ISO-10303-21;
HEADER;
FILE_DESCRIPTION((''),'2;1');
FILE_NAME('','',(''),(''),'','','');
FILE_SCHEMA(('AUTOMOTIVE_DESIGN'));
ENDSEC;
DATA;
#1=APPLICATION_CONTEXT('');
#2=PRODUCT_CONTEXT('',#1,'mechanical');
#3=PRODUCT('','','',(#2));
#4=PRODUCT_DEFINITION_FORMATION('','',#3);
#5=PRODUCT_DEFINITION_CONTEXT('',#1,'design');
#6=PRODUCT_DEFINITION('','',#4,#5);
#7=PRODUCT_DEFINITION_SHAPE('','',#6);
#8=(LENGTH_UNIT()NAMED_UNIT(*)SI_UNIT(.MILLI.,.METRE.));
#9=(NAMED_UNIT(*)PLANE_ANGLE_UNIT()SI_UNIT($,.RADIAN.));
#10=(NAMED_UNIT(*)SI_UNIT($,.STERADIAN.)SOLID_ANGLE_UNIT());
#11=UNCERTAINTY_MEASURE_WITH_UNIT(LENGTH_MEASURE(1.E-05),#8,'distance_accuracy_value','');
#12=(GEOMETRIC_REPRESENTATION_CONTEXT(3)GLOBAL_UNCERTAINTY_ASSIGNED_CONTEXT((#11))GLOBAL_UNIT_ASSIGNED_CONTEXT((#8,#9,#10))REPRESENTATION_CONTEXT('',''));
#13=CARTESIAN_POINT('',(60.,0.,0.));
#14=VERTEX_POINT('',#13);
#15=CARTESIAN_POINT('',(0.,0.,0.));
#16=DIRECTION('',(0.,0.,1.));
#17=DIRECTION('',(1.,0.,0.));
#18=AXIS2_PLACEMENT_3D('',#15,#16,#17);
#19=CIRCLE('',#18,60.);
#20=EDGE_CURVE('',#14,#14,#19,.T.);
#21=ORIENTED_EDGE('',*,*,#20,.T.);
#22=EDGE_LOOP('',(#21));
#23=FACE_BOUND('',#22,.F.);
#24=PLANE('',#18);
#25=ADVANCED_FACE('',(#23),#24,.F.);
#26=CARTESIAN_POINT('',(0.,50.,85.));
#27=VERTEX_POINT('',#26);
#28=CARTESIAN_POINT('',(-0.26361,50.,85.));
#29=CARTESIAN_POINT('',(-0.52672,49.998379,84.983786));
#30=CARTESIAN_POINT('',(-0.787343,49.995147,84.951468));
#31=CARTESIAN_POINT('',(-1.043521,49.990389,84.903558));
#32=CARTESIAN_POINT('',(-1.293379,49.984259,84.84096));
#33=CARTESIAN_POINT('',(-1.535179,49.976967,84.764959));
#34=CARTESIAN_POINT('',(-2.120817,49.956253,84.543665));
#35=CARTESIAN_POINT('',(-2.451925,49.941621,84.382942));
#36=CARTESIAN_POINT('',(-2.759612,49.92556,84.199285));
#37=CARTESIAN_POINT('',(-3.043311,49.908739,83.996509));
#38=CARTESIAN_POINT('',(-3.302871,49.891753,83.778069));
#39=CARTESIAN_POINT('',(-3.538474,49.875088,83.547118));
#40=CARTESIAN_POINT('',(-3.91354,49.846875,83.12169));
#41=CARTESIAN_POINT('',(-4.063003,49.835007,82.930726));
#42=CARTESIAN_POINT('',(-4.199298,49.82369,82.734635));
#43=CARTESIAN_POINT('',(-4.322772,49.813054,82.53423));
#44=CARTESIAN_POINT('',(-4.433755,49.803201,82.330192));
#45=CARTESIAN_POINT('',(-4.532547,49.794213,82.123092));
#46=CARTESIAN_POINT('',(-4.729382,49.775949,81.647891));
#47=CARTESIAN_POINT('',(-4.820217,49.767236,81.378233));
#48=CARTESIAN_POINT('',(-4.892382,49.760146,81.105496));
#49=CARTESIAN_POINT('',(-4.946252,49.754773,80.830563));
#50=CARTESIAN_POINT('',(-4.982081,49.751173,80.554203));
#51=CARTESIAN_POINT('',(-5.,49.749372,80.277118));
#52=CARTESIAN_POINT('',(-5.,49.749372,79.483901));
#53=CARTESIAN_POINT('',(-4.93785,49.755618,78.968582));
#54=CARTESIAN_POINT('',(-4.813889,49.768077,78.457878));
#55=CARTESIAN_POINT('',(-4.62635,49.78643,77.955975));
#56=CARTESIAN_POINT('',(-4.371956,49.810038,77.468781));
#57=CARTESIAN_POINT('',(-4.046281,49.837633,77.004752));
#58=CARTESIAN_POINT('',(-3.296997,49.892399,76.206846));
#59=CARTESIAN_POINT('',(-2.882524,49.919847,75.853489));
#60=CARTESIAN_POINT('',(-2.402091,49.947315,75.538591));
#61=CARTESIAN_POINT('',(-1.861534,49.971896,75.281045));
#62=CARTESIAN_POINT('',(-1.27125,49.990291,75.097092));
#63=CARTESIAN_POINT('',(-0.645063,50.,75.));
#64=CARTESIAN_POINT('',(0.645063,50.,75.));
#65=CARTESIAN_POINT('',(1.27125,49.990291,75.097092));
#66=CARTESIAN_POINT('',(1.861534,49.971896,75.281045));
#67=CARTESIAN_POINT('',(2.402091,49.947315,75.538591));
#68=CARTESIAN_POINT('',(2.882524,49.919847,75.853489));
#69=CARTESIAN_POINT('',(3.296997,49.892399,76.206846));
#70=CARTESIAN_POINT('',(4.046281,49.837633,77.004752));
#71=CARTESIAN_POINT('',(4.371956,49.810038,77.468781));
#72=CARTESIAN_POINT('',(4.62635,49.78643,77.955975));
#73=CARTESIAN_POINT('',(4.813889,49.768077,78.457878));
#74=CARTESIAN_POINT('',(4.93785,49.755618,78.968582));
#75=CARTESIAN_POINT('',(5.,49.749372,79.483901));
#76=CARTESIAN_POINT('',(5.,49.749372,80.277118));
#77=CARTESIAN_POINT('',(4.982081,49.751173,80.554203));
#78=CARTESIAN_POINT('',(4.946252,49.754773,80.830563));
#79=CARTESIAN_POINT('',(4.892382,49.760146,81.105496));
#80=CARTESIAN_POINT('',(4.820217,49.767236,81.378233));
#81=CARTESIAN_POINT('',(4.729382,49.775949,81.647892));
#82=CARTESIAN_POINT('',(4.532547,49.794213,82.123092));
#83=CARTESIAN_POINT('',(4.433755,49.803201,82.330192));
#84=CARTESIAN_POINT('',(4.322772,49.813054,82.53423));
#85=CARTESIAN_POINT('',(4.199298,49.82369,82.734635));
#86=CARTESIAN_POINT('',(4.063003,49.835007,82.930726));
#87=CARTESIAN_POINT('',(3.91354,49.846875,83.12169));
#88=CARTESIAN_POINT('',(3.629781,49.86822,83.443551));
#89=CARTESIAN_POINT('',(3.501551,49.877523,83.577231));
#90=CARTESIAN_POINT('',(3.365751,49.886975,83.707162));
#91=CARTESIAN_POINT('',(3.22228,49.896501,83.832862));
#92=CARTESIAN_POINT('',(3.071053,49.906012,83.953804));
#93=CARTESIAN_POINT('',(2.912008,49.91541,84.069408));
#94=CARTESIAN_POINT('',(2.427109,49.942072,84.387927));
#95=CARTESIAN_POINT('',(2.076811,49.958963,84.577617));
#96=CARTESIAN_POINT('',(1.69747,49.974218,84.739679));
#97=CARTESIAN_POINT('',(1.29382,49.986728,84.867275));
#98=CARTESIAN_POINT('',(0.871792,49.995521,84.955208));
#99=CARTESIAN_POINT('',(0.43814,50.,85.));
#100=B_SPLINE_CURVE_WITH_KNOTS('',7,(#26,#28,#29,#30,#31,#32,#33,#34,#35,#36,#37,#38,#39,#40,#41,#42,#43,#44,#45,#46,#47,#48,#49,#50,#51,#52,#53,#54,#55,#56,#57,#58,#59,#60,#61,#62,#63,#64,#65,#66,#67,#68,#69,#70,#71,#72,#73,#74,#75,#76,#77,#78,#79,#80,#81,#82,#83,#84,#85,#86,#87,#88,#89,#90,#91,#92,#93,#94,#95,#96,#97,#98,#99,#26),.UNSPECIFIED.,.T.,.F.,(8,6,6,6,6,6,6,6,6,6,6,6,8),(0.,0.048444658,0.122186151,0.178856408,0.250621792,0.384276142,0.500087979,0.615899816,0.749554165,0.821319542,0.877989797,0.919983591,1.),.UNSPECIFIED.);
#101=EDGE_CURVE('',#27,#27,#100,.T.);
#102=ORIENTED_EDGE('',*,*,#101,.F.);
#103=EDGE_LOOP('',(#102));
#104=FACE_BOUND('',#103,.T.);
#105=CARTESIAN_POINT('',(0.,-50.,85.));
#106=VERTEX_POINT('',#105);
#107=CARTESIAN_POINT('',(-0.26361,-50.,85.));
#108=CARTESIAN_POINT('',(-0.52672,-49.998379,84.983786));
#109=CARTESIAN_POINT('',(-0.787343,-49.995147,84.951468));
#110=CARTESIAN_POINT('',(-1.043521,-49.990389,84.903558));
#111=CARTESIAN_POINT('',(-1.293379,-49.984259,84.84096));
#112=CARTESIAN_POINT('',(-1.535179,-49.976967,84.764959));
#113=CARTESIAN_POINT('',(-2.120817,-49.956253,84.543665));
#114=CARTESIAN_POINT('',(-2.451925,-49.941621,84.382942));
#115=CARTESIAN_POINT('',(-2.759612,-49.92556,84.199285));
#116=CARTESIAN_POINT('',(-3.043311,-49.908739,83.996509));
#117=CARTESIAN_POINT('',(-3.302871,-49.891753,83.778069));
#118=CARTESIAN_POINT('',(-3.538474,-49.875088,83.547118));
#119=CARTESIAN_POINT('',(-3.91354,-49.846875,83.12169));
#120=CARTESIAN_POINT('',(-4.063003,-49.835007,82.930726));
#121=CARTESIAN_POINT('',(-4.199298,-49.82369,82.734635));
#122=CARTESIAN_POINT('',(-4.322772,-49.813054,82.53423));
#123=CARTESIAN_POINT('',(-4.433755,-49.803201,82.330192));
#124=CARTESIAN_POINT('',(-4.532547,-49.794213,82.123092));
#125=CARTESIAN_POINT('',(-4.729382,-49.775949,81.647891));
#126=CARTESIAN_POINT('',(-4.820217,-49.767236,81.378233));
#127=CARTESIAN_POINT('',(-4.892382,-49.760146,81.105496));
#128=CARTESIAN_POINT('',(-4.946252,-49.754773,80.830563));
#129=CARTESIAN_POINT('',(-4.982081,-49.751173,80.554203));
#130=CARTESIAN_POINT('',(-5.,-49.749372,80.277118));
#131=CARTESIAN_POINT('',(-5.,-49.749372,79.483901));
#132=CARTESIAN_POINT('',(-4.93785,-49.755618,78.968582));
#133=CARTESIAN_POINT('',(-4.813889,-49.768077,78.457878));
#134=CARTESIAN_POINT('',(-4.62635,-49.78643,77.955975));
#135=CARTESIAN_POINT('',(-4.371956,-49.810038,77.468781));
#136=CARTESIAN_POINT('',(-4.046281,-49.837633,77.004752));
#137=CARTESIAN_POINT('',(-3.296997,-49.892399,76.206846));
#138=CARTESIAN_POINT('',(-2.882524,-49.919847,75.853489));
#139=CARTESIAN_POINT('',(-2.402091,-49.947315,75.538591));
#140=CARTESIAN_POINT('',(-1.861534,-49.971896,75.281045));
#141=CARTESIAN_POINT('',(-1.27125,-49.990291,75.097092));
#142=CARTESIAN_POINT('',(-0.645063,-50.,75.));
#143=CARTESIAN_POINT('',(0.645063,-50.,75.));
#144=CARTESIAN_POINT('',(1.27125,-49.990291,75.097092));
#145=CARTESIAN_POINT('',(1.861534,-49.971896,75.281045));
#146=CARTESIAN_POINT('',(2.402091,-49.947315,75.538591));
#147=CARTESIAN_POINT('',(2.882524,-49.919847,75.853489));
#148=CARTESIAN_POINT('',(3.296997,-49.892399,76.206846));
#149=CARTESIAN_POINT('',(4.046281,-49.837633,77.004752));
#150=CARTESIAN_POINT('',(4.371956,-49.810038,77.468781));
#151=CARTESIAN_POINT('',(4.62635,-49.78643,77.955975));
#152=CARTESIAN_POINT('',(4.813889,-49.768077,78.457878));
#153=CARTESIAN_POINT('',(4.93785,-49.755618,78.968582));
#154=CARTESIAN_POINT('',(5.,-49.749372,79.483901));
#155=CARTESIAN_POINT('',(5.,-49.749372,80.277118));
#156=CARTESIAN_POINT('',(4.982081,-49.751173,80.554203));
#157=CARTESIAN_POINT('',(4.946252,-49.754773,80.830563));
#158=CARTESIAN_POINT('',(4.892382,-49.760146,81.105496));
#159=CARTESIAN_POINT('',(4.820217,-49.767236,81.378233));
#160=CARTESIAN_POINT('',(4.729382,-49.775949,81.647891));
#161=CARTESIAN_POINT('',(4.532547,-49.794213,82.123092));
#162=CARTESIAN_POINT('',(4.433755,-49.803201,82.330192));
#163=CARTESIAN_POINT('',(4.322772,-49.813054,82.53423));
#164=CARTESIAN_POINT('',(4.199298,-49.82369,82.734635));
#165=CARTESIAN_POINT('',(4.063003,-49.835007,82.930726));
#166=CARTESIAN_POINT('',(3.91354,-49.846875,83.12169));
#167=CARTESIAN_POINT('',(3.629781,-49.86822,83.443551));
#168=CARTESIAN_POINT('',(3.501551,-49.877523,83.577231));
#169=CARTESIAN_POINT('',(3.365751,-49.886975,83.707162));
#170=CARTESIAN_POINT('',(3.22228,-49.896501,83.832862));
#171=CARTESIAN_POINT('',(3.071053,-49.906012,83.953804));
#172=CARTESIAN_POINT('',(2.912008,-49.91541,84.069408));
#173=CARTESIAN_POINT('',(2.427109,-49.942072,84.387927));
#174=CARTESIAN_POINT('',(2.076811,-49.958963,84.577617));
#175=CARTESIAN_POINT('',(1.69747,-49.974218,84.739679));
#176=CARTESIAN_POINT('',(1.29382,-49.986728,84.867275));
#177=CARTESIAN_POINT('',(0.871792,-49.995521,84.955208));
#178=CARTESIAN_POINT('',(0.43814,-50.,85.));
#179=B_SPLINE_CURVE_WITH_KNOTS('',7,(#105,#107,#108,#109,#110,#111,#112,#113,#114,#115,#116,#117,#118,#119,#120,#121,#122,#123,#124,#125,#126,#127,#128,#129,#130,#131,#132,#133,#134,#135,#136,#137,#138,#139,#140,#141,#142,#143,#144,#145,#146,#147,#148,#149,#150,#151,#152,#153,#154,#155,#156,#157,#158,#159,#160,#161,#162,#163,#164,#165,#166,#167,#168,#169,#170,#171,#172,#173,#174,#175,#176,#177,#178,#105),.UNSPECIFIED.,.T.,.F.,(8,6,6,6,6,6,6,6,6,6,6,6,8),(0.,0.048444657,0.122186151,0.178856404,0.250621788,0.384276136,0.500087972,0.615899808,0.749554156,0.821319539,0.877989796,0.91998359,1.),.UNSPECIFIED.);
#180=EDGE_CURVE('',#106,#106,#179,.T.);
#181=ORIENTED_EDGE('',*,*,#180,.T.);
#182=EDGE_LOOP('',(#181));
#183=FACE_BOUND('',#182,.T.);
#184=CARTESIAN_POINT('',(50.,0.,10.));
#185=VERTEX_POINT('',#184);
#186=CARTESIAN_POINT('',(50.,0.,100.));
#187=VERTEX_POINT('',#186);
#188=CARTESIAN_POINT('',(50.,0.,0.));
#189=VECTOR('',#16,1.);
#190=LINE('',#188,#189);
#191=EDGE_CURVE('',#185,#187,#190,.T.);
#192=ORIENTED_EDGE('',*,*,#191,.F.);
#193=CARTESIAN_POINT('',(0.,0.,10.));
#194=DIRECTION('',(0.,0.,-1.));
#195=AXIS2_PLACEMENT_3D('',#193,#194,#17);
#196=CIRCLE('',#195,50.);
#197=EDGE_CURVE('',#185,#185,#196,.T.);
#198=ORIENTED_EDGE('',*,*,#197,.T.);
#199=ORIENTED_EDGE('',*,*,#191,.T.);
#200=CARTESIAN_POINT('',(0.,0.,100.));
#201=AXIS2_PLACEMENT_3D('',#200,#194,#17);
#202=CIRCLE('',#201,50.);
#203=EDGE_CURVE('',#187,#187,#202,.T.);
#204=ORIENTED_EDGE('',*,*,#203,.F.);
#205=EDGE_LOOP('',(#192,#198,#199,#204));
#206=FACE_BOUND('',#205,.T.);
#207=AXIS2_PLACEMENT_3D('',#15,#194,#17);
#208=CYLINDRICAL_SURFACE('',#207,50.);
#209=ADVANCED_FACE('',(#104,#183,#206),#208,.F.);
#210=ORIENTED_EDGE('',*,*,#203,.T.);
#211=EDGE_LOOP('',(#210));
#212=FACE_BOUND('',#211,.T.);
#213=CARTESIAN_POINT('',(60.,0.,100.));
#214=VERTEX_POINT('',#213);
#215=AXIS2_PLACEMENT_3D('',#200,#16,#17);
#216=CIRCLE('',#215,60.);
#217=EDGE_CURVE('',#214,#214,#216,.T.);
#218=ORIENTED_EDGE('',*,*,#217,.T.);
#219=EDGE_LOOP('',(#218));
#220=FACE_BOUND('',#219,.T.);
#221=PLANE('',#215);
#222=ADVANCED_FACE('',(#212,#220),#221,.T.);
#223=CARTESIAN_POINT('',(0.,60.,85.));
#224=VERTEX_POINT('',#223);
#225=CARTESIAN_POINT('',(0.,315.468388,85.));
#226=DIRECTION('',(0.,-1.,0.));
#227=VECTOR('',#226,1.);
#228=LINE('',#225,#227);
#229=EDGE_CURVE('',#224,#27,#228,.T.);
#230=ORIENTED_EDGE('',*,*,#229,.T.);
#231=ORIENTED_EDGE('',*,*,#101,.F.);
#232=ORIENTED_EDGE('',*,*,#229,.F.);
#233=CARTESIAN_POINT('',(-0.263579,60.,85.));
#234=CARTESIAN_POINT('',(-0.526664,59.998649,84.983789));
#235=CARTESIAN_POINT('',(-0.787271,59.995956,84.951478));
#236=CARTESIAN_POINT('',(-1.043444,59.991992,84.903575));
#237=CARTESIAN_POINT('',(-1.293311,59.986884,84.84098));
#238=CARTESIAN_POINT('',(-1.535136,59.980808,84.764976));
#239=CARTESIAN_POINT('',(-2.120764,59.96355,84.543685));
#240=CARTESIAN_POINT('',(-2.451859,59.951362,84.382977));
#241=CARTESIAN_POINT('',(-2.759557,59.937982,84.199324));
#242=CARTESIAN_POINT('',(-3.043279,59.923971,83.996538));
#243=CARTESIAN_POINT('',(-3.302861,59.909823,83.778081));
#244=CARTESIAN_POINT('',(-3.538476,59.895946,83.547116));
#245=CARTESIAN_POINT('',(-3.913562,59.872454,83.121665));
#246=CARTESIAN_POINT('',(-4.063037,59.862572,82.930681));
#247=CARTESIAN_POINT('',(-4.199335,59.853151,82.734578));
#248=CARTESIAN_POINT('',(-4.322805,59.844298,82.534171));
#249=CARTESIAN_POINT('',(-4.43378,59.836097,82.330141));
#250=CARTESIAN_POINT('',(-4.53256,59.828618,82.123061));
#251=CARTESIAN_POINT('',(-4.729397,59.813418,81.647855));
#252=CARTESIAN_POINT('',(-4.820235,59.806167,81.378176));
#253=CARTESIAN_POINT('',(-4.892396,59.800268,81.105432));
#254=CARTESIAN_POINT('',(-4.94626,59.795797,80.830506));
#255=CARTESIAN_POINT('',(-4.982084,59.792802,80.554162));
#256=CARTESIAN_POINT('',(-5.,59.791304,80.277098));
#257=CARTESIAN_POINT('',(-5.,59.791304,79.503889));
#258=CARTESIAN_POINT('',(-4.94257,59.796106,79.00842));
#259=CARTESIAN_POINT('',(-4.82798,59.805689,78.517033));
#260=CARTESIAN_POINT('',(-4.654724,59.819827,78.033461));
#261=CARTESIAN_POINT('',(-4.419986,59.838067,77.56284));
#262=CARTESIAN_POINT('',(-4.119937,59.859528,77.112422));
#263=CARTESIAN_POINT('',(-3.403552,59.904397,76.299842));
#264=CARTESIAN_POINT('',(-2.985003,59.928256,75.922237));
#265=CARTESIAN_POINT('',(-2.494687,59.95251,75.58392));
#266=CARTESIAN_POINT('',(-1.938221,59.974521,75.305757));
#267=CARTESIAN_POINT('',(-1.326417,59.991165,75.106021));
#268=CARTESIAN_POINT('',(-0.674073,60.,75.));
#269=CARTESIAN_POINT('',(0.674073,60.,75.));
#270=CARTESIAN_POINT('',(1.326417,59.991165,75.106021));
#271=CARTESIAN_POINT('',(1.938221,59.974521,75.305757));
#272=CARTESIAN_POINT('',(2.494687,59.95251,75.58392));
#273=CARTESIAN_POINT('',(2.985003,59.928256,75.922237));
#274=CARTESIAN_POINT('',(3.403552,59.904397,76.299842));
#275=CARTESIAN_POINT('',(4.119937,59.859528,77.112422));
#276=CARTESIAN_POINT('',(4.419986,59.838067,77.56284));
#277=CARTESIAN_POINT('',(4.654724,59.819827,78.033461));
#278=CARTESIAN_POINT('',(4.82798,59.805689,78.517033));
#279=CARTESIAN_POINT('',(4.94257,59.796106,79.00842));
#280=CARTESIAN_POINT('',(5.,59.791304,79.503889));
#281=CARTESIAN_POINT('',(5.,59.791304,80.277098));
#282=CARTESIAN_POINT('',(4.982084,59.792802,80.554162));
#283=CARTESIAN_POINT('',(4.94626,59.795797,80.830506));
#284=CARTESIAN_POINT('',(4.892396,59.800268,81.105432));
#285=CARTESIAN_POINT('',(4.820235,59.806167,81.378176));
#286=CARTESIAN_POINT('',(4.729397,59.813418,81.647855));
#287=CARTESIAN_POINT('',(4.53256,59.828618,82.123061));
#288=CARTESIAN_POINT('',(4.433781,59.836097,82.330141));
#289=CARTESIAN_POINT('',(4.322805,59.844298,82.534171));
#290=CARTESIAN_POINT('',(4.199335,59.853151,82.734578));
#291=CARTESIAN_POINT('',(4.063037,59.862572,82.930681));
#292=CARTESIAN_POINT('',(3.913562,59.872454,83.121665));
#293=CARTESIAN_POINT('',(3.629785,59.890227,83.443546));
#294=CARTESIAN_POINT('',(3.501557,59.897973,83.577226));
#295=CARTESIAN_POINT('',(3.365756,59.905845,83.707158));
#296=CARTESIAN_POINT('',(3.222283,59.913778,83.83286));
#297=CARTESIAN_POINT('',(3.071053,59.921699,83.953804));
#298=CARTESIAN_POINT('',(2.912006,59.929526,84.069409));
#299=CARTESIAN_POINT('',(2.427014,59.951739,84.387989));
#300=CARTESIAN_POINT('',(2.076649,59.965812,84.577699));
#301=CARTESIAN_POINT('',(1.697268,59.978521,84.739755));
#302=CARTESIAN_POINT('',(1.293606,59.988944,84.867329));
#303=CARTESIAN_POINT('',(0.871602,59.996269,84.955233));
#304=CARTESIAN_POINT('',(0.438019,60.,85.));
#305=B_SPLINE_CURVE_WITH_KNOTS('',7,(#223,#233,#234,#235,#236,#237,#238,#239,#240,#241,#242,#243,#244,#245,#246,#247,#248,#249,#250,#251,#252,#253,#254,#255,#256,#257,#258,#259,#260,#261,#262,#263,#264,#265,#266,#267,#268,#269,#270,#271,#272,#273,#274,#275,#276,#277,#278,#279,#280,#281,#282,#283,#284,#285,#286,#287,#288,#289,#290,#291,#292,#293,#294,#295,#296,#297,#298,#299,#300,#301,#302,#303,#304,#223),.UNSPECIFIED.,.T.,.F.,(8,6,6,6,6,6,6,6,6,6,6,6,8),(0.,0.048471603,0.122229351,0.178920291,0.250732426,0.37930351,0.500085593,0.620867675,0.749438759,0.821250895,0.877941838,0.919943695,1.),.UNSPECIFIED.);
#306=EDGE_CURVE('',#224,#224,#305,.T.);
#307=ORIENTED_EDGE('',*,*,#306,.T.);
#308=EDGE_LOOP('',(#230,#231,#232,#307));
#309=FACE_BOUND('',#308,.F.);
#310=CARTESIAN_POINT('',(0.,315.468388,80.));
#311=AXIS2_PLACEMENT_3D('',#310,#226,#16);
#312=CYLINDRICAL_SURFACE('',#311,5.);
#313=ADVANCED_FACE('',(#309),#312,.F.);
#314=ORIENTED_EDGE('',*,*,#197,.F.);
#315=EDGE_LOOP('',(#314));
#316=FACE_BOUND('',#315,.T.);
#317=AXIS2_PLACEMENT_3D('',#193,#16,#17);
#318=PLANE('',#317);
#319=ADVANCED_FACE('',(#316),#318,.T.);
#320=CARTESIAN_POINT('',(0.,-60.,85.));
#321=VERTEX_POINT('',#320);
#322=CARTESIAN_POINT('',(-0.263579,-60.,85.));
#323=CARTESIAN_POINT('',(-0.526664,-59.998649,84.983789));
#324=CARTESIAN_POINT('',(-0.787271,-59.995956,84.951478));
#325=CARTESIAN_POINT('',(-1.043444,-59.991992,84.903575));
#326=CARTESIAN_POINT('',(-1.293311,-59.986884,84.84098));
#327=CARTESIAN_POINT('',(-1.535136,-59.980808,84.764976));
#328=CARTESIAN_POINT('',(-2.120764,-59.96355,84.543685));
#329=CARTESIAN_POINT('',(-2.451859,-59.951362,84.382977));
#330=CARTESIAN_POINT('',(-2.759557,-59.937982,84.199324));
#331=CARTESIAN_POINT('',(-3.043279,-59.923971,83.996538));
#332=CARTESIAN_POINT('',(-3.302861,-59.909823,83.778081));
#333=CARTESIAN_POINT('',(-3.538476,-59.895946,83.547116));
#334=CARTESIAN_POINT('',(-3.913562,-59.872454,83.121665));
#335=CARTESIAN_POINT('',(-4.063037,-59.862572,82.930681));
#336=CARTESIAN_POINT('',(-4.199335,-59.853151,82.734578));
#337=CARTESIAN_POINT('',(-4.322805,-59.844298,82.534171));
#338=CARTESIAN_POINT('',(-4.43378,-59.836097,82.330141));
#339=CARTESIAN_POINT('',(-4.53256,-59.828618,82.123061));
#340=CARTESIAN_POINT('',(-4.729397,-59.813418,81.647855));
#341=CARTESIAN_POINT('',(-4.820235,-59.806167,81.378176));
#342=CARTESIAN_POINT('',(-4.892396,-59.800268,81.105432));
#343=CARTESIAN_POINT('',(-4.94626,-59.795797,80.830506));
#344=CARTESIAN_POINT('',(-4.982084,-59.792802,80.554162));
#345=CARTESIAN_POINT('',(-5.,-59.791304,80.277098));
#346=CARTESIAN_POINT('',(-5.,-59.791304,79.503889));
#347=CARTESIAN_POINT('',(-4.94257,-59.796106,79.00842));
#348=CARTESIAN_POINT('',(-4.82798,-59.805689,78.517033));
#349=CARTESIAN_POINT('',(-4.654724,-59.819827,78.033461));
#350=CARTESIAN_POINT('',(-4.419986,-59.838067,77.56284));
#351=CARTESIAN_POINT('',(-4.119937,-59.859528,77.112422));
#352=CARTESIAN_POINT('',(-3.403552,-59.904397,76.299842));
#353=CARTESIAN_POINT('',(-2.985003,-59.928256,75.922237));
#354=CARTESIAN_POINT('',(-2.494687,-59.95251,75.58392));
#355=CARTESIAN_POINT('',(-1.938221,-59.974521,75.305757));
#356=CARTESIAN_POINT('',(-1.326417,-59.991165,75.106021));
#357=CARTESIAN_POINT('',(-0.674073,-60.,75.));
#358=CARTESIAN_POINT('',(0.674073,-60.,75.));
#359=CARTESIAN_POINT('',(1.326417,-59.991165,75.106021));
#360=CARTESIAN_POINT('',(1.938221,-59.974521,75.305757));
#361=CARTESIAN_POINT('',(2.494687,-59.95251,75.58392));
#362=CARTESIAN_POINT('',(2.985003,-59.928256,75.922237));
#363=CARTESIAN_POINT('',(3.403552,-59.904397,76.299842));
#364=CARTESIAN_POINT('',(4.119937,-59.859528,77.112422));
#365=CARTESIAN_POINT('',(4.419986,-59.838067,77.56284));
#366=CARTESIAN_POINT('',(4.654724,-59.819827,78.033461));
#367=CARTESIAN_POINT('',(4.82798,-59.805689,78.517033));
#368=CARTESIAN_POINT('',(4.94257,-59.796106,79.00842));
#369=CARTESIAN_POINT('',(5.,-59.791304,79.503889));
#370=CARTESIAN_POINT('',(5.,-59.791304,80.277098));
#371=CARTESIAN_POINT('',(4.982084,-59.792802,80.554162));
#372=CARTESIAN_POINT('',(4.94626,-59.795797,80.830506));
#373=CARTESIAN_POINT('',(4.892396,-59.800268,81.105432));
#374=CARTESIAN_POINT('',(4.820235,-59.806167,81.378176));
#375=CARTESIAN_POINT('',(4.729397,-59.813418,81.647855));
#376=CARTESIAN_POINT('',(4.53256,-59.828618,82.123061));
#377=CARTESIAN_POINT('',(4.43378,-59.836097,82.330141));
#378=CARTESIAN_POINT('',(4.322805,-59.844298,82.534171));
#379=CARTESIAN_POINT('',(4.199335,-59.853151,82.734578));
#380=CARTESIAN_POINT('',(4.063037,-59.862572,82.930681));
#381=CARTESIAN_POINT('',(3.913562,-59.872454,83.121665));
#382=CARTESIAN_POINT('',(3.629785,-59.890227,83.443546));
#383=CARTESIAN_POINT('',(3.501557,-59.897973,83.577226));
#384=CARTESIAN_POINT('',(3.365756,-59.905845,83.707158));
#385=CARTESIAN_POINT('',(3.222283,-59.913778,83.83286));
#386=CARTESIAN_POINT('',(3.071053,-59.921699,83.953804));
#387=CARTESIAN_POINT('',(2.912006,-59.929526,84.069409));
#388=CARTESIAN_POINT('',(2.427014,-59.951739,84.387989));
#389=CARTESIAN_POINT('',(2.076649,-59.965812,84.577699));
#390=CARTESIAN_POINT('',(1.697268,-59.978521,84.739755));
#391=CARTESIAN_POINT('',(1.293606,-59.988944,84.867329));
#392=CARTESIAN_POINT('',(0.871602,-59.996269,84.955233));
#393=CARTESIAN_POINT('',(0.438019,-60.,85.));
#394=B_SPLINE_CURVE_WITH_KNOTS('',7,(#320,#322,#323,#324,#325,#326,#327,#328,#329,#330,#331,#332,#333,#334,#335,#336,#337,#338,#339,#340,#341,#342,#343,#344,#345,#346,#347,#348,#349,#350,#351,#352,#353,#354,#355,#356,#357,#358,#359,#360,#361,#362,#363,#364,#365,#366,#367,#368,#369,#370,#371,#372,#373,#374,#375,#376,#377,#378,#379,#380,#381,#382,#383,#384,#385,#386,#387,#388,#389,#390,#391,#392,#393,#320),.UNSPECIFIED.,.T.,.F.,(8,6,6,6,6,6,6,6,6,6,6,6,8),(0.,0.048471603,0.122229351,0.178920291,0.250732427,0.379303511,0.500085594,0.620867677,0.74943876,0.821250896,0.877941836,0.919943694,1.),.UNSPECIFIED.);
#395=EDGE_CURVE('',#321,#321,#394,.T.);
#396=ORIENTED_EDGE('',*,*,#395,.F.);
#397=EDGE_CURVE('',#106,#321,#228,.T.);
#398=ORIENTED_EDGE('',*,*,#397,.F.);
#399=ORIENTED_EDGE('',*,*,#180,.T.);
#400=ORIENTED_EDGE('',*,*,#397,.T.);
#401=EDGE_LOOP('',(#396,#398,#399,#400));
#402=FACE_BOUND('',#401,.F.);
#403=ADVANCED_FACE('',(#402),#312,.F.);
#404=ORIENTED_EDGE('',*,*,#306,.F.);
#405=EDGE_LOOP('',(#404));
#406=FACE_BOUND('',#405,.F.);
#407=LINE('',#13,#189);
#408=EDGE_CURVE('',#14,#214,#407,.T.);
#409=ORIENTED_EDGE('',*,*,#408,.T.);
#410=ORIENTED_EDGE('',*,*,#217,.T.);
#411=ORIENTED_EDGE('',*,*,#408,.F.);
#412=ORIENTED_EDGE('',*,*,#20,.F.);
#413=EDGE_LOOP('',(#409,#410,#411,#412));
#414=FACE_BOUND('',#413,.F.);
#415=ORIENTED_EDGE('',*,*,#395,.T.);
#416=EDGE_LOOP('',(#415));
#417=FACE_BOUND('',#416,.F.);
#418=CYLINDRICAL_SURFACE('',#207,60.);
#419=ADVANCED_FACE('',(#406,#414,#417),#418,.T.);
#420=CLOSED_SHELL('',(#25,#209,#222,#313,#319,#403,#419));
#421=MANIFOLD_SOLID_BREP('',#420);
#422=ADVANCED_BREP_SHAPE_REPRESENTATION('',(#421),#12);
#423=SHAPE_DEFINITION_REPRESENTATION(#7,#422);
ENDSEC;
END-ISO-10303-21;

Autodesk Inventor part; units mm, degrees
ref_plane "YZ Plane" through (0, 0, 0) normal (1, 0, 0) x (0, 1, 0)
ref_plane "XZ Plane" through (0, 0, 0) normal (0, 1, 0) x (-1, 0, 0)
ref_plane "XY Plane" through (0, 0, 0) normal (0, 0, 1) x (1, 0, 0)
sketch "草图1" plane through (0, 0, 0) normal (0, 0, 1) x (1, 0, 0)
  circle A0 centre (0, 0) radius 60
  dimension "d0" = 120
extrude "拉伸1" add sketch "草图1" along normal blind 100
shell "抽壳1" thickness 10 removed faces 1 at (20.3445, -12.2, 100)
sketch "草图2" plane through (0, 0, 0) normal (0, 1, 0) x (-1, 0, 0)
  point P0 (0, 0)
  point P1 (0, 80)
  dimension "d4" = 80
hole "孔1" at (0, 0, 80) direction (0, -1, 0) diameter 10 end through all both
properties part number "活塞"
